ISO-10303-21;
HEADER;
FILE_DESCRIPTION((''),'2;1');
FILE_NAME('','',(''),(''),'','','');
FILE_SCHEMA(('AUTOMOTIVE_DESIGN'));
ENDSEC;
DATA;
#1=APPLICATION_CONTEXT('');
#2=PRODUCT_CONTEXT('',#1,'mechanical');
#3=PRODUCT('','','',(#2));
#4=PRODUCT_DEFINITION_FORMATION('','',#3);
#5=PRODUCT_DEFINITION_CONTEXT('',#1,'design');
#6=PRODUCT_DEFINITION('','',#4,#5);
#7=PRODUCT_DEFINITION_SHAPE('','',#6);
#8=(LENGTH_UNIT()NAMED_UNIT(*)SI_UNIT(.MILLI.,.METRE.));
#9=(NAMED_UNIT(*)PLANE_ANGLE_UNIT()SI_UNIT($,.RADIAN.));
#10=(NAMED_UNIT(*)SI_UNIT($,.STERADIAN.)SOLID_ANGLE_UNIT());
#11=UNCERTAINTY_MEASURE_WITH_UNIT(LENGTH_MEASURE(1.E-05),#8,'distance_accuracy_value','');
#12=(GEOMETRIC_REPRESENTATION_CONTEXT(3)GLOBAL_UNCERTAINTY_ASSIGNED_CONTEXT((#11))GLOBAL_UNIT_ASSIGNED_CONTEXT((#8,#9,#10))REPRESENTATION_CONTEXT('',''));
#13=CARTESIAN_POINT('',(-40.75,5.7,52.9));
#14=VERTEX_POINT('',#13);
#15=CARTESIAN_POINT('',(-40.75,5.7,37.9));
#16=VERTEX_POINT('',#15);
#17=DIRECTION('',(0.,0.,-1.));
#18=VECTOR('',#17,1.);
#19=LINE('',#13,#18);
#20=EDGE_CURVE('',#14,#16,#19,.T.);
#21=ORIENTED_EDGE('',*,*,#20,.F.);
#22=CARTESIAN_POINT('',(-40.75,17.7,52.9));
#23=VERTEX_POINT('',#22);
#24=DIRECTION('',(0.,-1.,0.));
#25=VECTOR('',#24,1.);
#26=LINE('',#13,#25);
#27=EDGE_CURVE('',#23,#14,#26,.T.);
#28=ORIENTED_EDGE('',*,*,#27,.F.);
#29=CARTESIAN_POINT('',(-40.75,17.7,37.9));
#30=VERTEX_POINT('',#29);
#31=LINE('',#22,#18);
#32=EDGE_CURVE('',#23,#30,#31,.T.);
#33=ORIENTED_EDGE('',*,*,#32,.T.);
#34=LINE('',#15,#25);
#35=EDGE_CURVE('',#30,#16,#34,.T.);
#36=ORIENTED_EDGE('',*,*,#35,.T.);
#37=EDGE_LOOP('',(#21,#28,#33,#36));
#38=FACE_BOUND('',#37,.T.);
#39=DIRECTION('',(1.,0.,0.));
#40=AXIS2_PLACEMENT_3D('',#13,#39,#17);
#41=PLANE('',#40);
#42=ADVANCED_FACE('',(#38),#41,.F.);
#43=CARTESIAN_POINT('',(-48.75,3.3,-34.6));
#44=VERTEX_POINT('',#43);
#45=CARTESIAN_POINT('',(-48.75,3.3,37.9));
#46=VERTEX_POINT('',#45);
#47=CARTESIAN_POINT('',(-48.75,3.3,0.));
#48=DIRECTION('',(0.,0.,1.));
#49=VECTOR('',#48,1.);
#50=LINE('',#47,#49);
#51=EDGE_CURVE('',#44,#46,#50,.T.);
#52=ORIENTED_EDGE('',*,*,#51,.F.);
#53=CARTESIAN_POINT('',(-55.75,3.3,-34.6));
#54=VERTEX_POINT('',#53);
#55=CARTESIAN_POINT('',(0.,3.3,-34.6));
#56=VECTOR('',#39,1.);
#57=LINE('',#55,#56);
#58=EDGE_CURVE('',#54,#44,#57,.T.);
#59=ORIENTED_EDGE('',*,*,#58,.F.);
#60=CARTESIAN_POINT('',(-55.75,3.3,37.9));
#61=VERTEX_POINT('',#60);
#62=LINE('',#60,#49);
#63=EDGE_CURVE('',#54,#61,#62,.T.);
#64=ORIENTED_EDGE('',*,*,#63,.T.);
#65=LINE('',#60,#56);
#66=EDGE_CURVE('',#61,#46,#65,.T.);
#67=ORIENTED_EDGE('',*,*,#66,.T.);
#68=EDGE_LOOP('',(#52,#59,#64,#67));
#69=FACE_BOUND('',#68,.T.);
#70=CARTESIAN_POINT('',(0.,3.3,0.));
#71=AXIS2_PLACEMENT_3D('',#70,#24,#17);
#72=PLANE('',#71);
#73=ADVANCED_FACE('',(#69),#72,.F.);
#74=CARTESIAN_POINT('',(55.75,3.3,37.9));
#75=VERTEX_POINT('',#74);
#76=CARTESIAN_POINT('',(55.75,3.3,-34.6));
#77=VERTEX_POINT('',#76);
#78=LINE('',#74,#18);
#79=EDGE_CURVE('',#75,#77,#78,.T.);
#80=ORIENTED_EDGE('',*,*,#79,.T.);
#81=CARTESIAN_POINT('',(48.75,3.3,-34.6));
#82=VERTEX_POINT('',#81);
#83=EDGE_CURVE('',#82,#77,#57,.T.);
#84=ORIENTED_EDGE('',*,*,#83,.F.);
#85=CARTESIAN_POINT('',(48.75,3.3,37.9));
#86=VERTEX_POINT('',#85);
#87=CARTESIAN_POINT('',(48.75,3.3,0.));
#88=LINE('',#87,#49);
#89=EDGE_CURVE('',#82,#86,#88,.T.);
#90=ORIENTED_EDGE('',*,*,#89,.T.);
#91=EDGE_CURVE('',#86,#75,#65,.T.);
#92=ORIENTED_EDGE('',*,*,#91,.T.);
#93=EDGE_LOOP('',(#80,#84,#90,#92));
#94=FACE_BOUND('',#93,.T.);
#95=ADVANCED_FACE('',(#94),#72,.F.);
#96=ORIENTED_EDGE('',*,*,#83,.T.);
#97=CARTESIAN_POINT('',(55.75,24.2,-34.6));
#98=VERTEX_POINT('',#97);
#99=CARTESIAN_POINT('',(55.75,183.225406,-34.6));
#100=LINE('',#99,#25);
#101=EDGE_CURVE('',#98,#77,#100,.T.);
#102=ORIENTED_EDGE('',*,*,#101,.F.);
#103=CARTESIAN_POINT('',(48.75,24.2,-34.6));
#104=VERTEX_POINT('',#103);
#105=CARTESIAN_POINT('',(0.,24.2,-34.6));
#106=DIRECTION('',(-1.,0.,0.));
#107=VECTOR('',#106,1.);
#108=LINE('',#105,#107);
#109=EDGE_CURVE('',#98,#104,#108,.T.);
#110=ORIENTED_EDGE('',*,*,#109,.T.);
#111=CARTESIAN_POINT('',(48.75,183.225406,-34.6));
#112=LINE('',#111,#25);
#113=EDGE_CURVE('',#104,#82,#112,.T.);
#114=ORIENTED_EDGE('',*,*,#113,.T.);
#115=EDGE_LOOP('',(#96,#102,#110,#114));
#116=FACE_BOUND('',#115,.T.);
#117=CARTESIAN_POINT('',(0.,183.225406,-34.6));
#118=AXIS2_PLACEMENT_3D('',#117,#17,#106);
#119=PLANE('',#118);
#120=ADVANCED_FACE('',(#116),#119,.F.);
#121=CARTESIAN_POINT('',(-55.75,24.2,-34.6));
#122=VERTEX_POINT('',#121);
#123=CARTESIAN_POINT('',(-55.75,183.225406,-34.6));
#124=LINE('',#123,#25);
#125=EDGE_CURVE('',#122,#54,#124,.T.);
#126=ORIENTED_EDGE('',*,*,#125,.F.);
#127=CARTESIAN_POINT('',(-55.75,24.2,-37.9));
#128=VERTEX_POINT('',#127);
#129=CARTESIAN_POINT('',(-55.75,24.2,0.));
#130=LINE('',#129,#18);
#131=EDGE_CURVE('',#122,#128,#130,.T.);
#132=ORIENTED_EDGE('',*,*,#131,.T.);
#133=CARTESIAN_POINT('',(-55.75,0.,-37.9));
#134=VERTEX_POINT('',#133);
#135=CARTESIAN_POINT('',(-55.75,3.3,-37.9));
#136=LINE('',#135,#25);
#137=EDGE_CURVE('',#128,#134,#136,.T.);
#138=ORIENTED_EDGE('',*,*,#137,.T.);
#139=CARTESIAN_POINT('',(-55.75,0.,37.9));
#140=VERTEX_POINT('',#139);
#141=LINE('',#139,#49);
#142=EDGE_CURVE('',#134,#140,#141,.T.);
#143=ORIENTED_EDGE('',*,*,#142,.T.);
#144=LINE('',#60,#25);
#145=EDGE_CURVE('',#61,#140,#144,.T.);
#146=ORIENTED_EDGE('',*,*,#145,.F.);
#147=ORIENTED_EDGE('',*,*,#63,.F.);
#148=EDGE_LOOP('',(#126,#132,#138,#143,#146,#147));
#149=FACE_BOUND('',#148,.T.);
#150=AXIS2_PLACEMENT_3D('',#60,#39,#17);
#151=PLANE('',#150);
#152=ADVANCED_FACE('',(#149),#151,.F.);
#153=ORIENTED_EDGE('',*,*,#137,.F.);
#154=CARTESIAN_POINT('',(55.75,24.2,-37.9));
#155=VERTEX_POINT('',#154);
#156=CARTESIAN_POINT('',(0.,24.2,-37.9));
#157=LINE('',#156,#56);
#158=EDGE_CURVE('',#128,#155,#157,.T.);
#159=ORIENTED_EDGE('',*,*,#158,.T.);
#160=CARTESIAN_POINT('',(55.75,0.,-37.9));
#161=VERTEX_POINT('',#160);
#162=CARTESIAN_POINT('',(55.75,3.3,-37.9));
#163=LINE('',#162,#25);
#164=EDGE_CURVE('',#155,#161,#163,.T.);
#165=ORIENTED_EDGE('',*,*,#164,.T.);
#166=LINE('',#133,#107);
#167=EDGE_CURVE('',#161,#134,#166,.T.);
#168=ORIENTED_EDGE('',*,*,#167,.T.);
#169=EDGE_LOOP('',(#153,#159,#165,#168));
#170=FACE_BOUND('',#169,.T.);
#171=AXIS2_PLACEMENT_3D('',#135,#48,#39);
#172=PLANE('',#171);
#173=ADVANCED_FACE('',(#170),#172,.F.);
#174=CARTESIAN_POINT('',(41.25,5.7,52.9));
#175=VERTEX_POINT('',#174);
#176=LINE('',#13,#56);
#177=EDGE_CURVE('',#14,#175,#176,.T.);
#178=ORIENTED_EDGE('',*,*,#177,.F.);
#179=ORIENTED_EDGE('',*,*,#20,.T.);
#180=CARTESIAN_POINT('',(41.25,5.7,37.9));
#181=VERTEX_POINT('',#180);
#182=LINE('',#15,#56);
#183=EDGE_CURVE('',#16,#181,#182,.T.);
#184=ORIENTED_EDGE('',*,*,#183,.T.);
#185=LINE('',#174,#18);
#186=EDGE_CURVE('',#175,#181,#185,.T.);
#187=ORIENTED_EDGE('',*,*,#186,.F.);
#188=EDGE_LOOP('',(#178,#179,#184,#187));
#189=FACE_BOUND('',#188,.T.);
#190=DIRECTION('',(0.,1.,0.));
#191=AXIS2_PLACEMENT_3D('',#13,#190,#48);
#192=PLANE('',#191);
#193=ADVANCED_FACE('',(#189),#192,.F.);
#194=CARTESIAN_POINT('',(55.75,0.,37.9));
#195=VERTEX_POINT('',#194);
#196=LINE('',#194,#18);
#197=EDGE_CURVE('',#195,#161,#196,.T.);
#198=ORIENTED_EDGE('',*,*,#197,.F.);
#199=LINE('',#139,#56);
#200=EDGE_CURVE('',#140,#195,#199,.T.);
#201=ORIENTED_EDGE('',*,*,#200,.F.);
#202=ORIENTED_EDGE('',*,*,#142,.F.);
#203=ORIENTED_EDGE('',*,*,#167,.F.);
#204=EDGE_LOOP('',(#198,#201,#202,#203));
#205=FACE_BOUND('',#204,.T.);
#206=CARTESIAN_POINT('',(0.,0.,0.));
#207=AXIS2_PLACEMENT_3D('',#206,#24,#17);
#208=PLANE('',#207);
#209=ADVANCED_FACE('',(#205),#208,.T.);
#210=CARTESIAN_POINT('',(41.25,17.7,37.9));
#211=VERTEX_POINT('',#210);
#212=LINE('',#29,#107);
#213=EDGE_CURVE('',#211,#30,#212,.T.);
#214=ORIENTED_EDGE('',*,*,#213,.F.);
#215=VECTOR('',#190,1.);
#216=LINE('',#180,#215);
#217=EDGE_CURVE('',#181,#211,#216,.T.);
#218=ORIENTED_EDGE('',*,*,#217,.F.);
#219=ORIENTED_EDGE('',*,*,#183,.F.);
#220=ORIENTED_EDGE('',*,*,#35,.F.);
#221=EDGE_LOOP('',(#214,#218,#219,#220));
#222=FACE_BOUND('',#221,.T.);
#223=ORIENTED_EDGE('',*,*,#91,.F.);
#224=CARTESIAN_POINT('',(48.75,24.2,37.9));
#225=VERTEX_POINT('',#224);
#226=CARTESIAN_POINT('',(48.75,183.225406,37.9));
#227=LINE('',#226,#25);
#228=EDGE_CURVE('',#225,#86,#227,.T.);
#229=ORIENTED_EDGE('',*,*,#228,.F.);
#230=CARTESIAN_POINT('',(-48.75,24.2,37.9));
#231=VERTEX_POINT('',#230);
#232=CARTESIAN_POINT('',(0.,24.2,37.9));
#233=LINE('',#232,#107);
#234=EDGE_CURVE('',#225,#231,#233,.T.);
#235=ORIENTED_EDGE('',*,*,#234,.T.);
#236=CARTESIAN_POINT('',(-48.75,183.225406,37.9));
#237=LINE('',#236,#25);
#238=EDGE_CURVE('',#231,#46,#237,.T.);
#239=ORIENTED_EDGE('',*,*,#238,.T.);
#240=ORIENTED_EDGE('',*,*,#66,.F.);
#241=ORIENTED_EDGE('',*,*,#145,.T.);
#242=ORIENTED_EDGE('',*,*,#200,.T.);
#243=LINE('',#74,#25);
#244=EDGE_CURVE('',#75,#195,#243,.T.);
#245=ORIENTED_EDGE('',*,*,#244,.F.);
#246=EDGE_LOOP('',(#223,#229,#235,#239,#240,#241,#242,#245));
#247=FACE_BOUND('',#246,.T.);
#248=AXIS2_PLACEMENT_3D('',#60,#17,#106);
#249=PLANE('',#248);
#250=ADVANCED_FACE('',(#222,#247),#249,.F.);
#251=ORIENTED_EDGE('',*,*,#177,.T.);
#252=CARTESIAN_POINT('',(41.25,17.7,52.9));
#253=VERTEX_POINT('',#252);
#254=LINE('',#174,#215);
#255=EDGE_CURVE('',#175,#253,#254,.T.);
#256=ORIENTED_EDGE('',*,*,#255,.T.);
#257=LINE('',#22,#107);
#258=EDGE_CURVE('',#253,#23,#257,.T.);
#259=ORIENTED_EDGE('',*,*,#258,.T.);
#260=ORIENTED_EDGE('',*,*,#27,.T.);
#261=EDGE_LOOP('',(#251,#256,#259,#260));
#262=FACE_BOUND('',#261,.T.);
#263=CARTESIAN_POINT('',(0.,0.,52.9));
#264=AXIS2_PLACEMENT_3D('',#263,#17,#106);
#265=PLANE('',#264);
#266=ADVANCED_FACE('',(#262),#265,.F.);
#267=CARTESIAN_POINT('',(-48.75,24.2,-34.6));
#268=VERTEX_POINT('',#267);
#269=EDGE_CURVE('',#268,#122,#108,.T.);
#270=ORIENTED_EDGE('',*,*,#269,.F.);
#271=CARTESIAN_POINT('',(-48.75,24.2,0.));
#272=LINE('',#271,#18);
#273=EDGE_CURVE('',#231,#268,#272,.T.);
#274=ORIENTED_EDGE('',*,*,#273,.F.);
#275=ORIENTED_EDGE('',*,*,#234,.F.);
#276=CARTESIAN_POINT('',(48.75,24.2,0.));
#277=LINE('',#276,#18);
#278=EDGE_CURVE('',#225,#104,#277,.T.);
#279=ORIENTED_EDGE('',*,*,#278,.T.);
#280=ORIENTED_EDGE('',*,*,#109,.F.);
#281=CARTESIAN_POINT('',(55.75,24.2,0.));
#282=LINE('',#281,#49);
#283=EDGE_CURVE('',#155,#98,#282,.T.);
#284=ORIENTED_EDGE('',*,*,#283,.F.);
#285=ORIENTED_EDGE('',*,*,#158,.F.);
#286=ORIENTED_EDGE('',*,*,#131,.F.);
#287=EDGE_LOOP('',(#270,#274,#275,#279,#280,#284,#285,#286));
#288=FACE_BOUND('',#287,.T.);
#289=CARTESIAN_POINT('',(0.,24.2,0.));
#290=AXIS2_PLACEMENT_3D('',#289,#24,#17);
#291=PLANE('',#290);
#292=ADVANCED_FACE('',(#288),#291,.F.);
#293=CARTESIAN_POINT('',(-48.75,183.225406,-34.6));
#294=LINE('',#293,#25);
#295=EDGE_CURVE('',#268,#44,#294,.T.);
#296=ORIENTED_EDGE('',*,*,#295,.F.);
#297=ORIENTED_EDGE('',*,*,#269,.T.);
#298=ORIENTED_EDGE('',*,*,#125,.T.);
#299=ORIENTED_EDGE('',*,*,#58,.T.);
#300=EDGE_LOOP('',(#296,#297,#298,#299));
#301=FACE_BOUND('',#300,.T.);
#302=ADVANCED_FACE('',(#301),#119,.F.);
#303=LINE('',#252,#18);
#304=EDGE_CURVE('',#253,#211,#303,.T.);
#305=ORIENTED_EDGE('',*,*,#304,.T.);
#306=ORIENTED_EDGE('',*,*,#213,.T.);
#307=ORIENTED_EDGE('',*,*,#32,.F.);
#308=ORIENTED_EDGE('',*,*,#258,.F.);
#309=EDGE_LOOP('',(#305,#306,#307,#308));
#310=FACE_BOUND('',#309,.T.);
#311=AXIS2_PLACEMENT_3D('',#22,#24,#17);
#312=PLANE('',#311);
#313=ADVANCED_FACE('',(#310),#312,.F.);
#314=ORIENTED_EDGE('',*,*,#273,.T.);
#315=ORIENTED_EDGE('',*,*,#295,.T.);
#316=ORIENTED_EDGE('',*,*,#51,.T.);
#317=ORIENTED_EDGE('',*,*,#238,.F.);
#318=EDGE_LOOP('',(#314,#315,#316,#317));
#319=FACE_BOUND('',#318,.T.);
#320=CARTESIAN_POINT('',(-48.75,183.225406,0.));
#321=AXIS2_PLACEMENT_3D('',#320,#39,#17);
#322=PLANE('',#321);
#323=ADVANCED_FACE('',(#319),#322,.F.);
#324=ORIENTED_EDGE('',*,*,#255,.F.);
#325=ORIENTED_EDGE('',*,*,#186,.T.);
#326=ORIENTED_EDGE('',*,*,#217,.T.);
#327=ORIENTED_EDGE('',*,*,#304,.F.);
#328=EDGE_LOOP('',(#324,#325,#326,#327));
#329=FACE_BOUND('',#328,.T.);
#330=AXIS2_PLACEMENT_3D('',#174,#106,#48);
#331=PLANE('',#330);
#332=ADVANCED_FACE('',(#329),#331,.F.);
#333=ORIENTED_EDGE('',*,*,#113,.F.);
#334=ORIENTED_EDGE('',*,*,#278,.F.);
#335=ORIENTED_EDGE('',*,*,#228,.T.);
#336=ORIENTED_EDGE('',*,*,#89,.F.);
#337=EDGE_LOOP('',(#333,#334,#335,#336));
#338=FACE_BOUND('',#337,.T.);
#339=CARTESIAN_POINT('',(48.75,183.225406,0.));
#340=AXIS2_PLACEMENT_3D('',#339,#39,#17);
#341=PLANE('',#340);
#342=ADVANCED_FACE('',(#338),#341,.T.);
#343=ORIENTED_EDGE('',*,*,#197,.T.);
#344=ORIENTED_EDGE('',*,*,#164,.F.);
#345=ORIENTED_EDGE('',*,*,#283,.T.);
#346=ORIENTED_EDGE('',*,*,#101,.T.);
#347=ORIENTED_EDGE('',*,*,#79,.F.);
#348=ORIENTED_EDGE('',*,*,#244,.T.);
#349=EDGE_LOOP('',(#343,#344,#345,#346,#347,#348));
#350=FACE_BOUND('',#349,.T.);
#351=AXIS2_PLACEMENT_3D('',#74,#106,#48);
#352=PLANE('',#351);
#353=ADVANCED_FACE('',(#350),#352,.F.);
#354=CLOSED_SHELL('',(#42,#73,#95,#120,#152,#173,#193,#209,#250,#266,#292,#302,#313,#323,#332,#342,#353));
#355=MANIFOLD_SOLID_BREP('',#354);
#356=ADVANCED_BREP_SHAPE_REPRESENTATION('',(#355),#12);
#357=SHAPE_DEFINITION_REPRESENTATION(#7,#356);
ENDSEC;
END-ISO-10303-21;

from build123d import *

# Parameters (mm, degrees)
SKETCH1_W           = 111.5
SKETCH1_H           = 75.8
BOSS_EXTRUDE1_DEPTH = 3.3
BOSS_EXTRUDE2_DEPTH = 20.9
SKETCH3_W           = 82
SKETCH3_H           = 12
BOSS_EXTRUDE3_DEPTH = 15


with BuildPart() as part:
    # Sketch1 → Boss-Extrude1 (new body)
    with BuildSketch(Plane(origin=(0, 0, 0), x_dir=(1, 0, 0), z_dir=(0, 1, 0))):
        Rectangle(SKETCH1_W, SKETCH1_H)
    extrude(amount=BOSS_EXTRUDE1_DEPTH)

    # Sketch2 → Boss-Extrude2 (add)
    with BuildSketch(Plane(origin=(0, 3.3, 0), x_dir=(1, 0, 0), z_dir=(0, 1, 0))):
        Polygon((48.75, 37.9), (-48.75, 37.9), (-55.75, 37.9), (-55.75, 34.6), (-48.75, 34.6), (-48.75, -37.9), (48.75, -37.9), (48.75, 34.6), (55.75, 34.6), (55.75, 37.9), align=None)
    extrude(amount=BOSS_EXTRUDE2_DEPTH)

    # Sketch3 → Boss-Extrude3 (add)
    with BuildSketch(Plane.XY.offset(37.9)):
        with Locations((0.25, 11.7)):
            Rectangle(SKETCH3_W, SKETCH3_H)
    extrude(amount=BOSS_EXTRUDE3_DEPTH)


solid = part.part
